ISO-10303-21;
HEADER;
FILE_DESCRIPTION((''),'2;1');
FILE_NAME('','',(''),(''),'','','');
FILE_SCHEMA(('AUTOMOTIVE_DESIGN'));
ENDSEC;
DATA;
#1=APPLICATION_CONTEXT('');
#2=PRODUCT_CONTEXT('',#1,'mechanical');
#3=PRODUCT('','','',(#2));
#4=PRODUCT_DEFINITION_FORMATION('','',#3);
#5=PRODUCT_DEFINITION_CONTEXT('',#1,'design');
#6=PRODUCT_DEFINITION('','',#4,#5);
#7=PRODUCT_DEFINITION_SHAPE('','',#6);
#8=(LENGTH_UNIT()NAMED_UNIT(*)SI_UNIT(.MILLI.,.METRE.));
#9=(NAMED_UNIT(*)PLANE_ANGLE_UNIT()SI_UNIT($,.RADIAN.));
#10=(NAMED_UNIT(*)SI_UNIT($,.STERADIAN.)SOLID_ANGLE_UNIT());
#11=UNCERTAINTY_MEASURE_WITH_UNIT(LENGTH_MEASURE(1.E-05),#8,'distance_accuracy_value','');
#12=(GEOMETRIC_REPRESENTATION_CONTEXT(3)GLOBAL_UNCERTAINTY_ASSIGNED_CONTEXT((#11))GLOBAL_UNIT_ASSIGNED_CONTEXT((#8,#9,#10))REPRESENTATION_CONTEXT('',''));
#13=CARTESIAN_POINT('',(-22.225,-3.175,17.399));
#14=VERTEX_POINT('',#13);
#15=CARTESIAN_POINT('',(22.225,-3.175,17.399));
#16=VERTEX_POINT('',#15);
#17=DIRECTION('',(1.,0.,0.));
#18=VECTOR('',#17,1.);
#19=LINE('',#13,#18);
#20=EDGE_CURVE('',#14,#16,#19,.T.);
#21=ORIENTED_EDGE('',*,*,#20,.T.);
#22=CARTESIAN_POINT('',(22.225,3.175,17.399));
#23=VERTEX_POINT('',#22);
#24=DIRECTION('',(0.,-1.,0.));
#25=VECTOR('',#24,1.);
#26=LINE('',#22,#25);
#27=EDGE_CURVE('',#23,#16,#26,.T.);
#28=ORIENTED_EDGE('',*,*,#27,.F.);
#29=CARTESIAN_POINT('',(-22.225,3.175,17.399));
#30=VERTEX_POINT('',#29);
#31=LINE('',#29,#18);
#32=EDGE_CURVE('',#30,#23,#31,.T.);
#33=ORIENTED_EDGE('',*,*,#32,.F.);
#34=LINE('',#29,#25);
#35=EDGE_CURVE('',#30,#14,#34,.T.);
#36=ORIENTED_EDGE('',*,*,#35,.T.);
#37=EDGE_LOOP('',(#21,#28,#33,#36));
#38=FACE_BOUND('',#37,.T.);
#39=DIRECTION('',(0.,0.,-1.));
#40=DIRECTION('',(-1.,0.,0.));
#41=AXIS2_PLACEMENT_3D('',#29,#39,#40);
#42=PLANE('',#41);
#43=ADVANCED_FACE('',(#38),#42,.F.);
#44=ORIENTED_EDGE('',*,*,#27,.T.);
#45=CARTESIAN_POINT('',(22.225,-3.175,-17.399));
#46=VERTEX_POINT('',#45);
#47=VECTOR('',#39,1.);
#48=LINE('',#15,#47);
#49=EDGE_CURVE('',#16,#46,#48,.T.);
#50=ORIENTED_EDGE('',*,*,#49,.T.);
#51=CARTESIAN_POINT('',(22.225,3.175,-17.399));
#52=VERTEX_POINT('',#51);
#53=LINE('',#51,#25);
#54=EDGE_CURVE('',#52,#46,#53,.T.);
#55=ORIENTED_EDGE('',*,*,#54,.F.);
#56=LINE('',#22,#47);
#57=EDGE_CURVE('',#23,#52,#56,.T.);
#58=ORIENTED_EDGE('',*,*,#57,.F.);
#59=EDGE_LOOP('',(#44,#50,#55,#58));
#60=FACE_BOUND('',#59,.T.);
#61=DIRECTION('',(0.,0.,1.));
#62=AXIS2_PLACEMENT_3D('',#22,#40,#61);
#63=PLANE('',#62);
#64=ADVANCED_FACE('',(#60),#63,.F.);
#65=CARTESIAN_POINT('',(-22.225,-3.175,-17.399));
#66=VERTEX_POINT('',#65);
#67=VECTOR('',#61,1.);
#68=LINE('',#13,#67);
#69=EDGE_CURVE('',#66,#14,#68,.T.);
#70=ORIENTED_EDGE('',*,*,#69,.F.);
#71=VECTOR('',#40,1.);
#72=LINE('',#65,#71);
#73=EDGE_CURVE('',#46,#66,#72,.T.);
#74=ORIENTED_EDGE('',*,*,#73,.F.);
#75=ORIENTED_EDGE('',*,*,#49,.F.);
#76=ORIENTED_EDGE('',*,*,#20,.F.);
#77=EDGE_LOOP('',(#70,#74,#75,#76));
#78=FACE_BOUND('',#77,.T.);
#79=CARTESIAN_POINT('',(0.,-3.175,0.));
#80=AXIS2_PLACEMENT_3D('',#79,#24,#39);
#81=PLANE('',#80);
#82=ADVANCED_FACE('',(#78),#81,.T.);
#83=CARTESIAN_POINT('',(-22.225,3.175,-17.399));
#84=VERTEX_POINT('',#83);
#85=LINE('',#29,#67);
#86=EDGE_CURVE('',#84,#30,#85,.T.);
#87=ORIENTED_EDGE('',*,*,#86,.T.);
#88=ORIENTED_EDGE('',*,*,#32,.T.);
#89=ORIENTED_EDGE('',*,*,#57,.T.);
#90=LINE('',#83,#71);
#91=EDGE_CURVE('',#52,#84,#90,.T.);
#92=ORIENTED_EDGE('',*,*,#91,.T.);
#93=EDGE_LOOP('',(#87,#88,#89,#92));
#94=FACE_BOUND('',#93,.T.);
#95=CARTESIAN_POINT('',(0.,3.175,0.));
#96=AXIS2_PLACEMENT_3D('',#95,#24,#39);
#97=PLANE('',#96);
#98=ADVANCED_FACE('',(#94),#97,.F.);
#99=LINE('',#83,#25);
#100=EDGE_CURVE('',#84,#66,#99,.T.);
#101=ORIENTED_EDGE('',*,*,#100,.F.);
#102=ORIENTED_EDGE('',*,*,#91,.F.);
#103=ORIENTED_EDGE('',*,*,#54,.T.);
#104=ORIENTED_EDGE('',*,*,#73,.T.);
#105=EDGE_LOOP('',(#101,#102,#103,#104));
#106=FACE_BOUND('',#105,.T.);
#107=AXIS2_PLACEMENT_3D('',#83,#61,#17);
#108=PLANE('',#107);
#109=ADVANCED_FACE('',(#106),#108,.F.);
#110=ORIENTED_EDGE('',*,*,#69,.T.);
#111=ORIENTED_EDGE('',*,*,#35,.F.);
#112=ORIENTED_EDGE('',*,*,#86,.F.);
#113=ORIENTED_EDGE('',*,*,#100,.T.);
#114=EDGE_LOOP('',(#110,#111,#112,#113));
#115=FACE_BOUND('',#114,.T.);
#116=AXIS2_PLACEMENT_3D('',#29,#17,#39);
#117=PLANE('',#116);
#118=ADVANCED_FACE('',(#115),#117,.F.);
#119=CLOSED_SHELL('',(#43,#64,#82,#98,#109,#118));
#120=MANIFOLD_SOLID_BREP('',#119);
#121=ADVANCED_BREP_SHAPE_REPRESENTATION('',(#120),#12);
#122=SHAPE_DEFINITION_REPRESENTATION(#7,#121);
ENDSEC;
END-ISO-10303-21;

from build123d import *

# Parameters (mm, degrees)
SKETCH1_W           = 44.45
SKETCH1_H           = 34.798
BOSS_EXTRUDE1_DEPTH = 3.175


with BuildPart() as part:
    # Sketch1 → Boss-Extrude1 (new body, symmetric)
    with BuildSketch(Plane(origin=(0, 0, 0), x_dir=(1, 0, 0), z_dir=(0, 1, 0))):
        Rectangle(SKETCH1_W, SKETCH1_H)
    extrude(amount=BOSS_EXTRUDE1_DEPTH, both=True)


solid = part.part
